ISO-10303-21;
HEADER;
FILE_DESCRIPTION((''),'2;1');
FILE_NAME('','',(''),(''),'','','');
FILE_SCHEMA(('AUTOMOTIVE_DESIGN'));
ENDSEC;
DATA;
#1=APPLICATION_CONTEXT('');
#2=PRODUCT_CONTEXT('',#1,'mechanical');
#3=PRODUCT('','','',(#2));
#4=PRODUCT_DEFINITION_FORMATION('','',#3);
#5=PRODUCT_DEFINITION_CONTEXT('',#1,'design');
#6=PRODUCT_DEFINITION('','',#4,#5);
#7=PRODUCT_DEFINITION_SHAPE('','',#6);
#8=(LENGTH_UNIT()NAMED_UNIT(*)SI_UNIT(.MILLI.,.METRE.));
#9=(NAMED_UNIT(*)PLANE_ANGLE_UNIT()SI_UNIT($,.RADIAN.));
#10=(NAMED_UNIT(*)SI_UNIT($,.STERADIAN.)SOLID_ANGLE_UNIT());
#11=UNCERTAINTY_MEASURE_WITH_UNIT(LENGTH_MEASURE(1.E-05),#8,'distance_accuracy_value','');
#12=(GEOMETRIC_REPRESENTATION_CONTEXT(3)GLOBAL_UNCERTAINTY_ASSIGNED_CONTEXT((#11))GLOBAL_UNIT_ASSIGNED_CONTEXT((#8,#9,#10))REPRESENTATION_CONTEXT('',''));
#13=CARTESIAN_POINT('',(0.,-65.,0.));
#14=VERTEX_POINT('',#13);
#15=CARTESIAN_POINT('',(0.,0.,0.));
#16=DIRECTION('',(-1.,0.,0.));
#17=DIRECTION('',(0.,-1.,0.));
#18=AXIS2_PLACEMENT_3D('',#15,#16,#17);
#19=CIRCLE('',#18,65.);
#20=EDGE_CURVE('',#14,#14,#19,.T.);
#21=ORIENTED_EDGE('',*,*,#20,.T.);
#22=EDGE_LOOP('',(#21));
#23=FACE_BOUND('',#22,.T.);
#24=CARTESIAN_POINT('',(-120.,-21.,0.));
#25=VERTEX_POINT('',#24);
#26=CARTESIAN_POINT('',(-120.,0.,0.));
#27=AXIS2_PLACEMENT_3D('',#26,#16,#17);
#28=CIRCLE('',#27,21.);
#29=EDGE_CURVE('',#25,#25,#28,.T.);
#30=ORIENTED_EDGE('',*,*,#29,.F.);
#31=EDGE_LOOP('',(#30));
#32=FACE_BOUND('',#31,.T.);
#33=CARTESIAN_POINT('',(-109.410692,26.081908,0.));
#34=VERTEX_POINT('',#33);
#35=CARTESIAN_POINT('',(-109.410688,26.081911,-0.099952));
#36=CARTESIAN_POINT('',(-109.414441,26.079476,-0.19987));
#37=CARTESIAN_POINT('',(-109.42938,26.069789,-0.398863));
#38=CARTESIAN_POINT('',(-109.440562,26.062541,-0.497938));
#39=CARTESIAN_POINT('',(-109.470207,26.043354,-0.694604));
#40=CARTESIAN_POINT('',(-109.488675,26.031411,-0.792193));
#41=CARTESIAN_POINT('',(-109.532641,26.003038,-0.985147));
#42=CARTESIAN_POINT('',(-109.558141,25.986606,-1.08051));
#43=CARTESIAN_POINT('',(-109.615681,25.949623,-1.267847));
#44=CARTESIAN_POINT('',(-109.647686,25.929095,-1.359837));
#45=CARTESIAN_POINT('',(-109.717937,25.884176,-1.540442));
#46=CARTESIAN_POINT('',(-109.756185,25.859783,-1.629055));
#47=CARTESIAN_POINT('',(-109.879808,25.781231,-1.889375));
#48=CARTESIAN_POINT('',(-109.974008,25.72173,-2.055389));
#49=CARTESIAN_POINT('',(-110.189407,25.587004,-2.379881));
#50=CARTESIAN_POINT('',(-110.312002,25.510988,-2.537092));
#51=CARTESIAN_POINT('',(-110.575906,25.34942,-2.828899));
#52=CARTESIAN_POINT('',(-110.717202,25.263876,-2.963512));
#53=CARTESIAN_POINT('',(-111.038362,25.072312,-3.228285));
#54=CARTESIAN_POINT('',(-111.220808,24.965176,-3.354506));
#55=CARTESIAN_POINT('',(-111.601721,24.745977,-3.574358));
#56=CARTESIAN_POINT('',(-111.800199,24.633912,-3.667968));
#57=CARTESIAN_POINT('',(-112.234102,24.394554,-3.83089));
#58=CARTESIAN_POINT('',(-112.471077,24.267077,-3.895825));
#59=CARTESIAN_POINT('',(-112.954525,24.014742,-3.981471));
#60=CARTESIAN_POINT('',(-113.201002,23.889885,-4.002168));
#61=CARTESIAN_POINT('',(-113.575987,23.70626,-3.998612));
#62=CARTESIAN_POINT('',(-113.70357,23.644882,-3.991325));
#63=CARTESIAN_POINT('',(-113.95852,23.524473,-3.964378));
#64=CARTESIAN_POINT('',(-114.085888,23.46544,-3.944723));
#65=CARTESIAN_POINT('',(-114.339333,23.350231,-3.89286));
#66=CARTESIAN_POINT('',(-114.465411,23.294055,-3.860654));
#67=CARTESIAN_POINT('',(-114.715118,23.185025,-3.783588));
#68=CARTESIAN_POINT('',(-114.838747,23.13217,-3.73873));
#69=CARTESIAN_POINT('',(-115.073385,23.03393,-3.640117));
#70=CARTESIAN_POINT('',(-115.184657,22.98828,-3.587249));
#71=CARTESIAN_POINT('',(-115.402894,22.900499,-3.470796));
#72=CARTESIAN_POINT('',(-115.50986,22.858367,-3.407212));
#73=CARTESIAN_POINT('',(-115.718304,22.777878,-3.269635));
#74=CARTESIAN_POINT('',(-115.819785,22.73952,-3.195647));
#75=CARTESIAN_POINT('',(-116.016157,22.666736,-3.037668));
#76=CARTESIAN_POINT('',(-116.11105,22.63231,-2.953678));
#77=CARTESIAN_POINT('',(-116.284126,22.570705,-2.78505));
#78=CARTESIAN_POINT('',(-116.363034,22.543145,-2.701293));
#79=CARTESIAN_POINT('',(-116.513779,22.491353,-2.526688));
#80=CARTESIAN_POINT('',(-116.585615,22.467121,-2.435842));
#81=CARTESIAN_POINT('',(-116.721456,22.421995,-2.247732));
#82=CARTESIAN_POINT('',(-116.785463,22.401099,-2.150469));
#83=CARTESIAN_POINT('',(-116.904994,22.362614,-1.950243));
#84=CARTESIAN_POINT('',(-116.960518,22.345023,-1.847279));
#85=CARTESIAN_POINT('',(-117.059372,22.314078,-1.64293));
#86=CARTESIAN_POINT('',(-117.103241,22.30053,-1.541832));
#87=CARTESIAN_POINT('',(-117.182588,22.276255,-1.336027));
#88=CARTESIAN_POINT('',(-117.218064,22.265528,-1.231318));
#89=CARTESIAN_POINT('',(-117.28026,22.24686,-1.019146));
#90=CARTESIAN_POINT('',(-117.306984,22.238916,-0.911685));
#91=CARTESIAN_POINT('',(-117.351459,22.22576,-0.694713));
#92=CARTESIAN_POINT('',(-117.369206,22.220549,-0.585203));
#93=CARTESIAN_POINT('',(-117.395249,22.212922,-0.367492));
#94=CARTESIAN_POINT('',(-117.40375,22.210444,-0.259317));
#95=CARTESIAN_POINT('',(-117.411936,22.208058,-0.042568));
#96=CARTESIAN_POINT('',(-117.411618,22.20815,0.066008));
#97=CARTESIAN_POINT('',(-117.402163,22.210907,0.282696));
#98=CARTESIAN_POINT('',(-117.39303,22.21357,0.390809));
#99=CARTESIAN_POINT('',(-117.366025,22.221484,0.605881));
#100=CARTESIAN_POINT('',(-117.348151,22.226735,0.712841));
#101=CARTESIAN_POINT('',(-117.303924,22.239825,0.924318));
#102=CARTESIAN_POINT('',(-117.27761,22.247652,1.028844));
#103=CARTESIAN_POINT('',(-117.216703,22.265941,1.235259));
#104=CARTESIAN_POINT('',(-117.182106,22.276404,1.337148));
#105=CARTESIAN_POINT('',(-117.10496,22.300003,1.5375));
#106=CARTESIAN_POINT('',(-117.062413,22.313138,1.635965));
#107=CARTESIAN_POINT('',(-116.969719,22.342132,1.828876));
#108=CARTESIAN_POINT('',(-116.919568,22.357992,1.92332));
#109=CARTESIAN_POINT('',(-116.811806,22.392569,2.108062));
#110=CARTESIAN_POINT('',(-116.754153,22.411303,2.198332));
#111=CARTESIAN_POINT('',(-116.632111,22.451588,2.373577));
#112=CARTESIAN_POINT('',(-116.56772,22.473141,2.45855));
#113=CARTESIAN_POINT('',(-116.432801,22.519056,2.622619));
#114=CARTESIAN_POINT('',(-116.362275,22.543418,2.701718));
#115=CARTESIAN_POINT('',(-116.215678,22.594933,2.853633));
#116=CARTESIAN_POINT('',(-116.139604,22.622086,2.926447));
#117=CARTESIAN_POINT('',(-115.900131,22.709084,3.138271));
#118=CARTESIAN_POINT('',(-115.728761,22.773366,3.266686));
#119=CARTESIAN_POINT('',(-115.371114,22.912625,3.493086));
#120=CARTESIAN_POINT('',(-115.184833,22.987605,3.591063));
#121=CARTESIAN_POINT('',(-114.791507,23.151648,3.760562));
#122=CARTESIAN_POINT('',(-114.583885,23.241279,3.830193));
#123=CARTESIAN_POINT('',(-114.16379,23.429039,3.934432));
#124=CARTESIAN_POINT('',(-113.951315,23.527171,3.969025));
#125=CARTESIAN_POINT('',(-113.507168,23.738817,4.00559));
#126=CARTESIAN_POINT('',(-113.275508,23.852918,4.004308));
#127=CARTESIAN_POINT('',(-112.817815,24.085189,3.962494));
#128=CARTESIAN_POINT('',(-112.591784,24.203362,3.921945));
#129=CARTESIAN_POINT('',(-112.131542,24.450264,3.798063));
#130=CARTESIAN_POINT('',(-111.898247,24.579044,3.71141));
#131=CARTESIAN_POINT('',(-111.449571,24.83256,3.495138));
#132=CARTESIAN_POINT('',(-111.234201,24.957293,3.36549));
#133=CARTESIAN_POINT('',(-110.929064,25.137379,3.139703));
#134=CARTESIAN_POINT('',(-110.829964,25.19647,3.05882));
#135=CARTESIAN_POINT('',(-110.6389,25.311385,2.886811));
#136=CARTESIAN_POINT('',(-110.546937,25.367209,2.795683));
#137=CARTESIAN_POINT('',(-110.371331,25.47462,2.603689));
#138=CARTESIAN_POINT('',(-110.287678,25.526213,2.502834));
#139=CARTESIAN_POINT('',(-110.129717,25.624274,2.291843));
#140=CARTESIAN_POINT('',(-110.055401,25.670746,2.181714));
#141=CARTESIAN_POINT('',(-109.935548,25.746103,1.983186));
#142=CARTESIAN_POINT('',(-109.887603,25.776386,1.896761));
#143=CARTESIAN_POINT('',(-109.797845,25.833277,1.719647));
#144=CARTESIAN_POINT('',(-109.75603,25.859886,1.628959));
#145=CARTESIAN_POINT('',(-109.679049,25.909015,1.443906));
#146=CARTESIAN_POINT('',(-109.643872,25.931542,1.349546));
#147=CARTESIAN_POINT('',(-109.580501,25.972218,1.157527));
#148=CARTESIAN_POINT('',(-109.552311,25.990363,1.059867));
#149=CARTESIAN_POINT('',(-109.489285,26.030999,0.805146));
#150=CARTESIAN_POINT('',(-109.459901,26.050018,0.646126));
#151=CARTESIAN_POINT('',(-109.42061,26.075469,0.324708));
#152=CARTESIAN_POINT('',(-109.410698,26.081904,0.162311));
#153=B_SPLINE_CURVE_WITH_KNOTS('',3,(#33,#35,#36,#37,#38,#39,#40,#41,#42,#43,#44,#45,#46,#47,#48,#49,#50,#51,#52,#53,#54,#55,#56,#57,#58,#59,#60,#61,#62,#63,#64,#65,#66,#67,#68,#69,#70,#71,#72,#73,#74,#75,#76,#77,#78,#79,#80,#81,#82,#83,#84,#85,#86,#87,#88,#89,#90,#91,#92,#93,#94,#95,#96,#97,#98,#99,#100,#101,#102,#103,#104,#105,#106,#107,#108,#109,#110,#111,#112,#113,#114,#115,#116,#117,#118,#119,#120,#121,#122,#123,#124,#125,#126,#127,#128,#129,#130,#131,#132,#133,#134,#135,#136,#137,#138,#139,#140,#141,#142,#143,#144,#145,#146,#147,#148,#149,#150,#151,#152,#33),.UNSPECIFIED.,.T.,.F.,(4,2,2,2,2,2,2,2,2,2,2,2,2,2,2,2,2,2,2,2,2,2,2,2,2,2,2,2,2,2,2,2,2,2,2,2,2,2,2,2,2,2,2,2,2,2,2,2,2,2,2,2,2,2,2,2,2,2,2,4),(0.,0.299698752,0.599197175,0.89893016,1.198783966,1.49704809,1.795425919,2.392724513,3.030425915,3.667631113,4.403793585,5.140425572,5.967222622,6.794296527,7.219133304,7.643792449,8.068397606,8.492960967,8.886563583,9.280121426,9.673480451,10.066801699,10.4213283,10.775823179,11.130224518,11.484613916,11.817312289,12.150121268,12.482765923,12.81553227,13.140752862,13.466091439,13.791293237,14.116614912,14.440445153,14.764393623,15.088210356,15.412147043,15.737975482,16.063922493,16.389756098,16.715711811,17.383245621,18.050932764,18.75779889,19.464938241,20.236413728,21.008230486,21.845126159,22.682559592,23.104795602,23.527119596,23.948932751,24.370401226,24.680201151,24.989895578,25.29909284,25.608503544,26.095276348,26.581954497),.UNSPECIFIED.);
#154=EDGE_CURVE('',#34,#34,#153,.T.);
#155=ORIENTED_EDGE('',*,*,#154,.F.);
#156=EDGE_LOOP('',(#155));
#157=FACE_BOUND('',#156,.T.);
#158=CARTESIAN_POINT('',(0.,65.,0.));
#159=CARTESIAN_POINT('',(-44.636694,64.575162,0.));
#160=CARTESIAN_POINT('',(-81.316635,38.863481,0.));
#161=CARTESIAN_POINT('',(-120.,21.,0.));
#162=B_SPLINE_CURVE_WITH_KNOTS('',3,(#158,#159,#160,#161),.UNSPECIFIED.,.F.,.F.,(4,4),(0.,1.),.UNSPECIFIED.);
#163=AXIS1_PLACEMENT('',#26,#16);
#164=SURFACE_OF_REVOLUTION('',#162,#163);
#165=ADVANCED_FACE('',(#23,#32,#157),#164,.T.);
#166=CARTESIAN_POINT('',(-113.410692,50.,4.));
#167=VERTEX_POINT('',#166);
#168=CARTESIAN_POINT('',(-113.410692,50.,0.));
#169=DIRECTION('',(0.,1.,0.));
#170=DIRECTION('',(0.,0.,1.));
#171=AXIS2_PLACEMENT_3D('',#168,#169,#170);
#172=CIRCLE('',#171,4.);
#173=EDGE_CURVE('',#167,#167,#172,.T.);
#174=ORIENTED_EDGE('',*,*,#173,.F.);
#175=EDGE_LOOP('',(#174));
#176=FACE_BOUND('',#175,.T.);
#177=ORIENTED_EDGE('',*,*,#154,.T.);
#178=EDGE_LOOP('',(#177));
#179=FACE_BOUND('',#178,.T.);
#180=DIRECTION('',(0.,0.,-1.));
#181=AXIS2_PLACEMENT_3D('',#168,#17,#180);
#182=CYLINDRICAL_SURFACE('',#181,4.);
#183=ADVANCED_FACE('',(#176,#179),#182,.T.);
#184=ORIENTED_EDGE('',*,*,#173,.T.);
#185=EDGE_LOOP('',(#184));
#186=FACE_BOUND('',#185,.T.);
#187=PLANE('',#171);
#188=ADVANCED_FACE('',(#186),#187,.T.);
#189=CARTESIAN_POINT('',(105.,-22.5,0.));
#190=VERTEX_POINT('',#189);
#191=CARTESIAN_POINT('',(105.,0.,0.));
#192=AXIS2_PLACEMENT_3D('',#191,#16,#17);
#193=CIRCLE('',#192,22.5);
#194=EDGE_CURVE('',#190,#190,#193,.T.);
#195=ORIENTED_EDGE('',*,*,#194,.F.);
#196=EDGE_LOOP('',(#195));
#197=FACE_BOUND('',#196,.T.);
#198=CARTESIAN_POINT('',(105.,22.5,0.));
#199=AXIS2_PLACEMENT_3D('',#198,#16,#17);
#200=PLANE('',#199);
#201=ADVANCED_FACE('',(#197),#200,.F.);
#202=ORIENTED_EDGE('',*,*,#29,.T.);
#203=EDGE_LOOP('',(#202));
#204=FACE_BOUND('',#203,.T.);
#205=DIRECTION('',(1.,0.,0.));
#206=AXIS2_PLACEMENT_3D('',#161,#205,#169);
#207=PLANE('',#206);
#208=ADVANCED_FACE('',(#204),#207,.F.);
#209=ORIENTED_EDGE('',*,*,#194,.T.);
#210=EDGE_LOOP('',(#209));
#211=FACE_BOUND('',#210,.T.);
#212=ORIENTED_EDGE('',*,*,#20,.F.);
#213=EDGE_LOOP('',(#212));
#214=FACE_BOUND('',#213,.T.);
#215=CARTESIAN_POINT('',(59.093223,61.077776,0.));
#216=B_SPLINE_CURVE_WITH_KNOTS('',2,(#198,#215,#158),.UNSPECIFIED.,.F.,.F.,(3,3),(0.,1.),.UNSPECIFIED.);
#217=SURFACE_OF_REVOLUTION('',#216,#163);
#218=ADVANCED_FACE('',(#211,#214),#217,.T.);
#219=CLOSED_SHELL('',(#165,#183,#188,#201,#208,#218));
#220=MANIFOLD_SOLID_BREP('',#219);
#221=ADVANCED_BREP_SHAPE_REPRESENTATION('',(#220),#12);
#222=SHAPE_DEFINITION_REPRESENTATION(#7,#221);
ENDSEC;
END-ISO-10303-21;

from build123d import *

# Parameters (mm, degrees)
SKETCH2_R           = 4
BOSS_EXTRUDE1_DEPTH = 50


with BuildPart() as part:
    # Sketch1 → Revolve1 (revolve)
    with BuildSketch(Plane.XY):
        with BuildLine():
            Line((105, 22.5), (105, 0))
            Line((105, 0), (-120, 0))
            Line((-120, 0), (-120, 21))
            add(Edge.make_bspline(
                [(-120, 21), (-81.316635244, 38.863480829), (-44.636693972, 64.575162418), (0, 65)],
                knots=[0, 0, 0, 0, 1, 1, 1, 1], degree=3))
            add(Edge.make_bspline(
                [(0, 65), (59.093222662, 61.077775604), (105, 22.5)],
                knots=[0, 0, 0, 1, 1, 1], degree=2))
        make_face()
    revolve(axis=Axis((-120, 0, 0), (1, 0, 0)))

    # Sketch2 → Boss-Extrude1 (add)
    with BuildSketch(Plane(origin=(0, 0, 0), x_dir=(1, 0, 0), z_dir=(0, 1, 0))):
        with Locations((-113.41069221, 0)):
            Circle(SKETCH2_R)
    extrude(amount=BOSS_EXTRUDE1_DEPTH)


solid = part.part
